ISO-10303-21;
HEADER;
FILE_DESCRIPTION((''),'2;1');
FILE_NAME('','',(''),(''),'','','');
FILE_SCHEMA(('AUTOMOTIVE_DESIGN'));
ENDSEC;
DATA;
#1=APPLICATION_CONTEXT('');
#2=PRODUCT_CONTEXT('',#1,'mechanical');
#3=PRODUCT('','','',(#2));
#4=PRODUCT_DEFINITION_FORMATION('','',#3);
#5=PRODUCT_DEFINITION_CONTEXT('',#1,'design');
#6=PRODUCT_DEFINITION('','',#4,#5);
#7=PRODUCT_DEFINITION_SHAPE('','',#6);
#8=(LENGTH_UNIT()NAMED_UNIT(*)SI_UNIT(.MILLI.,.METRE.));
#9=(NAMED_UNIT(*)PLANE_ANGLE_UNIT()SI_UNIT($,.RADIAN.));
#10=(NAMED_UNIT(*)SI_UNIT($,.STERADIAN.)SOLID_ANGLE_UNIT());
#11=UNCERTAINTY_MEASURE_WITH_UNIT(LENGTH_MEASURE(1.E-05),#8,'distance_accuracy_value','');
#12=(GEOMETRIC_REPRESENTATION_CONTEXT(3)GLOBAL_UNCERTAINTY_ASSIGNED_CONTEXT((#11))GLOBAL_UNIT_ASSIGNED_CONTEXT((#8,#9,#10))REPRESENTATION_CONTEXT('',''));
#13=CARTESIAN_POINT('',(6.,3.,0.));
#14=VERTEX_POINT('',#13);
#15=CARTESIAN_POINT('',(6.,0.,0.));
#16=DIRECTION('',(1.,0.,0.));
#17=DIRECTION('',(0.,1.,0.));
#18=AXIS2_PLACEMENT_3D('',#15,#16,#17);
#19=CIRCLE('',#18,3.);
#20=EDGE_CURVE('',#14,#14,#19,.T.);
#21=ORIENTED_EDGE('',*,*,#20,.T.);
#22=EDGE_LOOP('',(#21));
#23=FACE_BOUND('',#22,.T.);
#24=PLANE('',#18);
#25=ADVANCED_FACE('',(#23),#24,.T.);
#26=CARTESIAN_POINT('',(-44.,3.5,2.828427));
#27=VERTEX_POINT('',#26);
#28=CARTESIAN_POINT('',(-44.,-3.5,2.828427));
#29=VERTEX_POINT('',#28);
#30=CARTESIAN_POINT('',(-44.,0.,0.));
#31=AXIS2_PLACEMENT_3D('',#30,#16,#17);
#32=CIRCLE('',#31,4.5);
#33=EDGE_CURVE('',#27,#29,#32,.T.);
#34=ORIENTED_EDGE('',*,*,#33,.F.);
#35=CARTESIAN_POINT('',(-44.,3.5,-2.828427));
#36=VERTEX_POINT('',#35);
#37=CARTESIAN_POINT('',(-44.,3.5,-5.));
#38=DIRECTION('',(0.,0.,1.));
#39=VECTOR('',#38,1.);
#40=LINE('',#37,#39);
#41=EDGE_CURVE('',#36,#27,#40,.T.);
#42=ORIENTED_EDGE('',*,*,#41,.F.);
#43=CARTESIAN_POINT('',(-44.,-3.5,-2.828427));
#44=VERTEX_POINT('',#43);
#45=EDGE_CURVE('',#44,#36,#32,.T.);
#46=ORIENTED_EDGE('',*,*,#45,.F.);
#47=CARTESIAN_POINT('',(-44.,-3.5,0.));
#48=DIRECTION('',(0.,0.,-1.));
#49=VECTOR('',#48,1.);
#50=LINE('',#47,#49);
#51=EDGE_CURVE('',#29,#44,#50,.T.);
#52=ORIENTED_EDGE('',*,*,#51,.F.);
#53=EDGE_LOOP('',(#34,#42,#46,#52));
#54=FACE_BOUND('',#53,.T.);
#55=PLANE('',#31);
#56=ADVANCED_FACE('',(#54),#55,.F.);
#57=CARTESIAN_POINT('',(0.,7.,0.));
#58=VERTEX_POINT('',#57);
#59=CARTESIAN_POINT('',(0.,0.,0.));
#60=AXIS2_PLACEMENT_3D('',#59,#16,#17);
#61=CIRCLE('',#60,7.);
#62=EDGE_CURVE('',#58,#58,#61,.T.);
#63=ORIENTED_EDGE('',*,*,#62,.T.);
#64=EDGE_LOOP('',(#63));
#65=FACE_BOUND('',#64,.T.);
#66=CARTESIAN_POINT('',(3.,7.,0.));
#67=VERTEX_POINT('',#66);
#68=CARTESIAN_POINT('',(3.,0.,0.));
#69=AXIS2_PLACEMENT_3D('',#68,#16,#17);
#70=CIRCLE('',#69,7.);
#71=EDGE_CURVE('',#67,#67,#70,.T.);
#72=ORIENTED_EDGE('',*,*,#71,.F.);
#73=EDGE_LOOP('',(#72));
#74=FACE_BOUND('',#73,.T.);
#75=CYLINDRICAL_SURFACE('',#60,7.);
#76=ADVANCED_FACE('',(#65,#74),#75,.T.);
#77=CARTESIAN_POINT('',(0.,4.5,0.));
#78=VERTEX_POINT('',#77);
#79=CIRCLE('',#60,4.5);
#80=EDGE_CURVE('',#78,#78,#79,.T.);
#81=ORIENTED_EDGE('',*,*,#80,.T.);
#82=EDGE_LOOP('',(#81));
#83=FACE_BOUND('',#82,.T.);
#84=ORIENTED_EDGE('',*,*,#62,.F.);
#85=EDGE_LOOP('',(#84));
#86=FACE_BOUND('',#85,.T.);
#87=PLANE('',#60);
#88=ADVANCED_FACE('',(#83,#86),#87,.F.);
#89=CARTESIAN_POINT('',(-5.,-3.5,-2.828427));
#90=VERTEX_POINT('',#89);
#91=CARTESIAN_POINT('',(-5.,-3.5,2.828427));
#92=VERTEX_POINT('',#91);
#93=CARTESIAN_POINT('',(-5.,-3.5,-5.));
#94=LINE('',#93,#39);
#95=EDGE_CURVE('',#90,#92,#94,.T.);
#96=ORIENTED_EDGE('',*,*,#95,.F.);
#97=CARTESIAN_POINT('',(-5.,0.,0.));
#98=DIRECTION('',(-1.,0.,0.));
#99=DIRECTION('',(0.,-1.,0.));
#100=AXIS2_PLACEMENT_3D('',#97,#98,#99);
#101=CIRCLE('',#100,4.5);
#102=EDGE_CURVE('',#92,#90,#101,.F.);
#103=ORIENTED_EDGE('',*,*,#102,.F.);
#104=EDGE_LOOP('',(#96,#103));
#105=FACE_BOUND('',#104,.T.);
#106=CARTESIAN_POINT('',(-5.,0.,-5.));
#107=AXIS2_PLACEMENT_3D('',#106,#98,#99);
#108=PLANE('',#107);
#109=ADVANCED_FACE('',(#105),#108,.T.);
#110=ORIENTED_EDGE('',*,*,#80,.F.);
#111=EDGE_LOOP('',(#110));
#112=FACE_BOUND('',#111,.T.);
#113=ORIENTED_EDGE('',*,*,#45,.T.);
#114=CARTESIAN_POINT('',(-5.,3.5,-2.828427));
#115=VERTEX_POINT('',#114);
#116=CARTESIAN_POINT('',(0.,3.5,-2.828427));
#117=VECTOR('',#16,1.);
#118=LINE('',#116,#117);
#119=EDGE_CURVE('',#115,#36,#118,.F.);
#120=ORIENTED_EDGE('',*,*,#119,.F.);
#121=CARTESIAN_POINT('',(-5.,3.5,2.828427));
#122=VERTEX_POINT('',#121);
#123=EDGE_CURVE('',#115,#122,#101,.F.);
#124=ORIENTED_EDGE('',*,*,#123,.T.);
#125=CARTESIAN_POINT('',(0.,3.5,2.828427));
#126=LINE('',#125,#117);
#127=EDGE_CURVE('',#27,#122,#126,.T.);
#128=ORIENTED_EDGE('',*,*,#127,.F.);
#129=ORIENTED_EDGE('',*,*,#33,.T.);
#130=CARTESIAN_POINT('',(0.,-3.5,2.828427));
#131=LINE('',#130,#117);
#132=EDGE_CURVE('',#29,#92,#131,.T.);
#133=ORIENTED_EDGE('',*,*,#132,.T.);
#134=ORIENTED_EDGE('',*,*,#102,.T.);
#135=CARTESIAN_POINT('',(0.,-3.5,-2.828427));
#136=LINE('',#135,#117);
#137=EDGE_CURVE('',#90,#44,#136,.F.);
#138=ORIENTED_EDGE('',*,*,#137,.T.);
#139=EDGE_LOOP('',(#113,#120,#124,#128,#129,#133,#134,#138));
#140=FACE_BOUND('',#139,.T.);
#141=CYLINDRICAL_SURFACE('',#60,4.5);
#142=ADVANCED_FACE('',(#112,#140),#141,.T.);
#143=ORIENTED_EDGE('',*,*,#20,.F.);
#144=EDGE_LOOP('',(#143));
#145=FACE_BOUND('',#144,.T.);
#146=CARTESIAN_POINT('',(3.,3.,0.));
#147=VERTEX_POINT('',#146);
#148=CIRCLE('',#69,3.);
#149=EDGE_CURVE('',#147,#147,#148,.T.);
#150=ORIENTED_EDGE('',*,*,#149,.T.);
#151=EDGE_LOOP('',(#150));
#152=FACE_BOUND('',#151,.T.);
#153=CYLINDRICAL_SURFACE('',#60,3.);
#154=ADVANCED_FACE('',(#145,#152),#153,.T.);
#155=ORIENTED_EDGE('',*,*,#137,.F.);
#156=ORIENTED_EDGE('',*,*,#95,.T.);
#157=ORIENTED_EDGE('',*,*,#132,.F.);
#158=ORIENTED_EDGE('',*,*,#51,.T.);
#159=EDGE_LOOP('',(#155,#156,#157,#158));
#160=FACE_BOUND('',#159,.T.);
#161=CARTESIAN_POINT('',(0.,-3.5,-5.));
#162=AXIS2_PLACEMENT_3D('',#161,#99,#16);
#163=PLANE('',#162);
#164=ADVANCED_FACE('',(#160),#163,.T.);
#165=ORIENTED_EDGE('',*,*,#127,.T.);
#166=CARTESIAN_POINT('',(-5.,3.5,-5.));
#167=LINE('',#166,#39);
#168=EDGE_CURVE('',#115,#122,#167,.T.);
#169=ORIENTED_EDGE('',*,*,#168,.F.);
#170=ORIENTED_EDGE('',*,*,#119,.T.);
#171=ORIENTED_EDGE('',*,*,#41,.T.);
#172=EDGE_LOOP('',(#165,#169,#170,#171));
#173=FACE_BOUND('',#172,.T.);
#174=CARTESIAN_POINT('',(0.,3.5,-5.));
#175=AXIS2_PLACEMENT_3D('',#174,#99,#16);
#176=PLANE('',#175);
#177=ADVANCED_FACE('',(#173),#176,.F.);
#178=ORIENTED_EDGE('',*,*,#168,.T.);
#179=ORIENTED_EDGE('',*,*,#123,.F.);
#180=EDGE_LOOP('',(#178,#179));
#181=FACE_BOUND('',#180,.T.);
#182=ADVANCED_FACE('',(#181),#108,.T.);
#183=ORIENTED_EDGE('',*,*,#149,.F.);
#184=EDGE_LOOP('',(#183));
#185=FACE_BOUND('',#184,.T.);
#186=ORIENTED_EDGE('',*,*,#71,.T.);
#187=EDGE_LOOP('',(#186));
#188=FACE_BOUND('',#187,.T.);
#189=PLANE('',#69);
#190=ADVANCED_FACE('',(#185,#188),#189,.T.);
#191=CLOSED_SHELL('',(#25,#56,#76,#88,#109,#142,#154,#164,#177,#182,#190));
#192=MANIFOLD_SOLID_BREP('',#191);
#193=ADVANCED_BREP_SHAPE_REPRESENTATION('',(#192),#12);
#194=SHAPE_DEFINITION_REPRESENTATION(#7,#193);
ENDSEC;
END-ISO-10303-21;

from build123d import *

# Parameters (mm, degrees)
SKETCH_1_W          = 44
SKETCH_1_H          = 4.5
SKETCH_1_W_2        = 3
SKETCH_1_H_2        = 7
SKETCH_1_H_3        = 3
SKETCH_5_W          = 39
SKETCH_5_H          = 1
CUT_EXTRUDE_2_DEPTH = 5


with BuildPart() as part:
    # 草圖1 → 旋轉1 (revolve)
    with BuildSketch(Plane.XY):
        with Locations((-22, 2.25)):
            Rectangle(SKETCH_1_W, SKETCH_1_H)
        with Locations((1.5, 3.5)):
            Rectangle(SKETCH_1_W_2, SKETCH_1_H_2)
        with Locations((4.5, 1.5)):
            Rectangle(SKETCH_1_W_2, SKETCH_1_H_3)
    revolve(axis=Axis((0, 0, 0), (-1, 0, 0)))

    # 草圖5 → 除料-伸長2 (cut, symmetric)
    with BuildSketch(Plane.XY):
        with Locations((-24.5, 4)):
            Rectangle(SKETCH_5_W, SKETCH_5_H)
        with Locations((-24.5, -4)):
            Rectangle(SKETCH_5_W, SKETCH_5_H)
    extrude(amount=CUT_EXTRUDE_2_DEPTH, both=True, mode=Mode.SUBTRACT)


solid = part.part
